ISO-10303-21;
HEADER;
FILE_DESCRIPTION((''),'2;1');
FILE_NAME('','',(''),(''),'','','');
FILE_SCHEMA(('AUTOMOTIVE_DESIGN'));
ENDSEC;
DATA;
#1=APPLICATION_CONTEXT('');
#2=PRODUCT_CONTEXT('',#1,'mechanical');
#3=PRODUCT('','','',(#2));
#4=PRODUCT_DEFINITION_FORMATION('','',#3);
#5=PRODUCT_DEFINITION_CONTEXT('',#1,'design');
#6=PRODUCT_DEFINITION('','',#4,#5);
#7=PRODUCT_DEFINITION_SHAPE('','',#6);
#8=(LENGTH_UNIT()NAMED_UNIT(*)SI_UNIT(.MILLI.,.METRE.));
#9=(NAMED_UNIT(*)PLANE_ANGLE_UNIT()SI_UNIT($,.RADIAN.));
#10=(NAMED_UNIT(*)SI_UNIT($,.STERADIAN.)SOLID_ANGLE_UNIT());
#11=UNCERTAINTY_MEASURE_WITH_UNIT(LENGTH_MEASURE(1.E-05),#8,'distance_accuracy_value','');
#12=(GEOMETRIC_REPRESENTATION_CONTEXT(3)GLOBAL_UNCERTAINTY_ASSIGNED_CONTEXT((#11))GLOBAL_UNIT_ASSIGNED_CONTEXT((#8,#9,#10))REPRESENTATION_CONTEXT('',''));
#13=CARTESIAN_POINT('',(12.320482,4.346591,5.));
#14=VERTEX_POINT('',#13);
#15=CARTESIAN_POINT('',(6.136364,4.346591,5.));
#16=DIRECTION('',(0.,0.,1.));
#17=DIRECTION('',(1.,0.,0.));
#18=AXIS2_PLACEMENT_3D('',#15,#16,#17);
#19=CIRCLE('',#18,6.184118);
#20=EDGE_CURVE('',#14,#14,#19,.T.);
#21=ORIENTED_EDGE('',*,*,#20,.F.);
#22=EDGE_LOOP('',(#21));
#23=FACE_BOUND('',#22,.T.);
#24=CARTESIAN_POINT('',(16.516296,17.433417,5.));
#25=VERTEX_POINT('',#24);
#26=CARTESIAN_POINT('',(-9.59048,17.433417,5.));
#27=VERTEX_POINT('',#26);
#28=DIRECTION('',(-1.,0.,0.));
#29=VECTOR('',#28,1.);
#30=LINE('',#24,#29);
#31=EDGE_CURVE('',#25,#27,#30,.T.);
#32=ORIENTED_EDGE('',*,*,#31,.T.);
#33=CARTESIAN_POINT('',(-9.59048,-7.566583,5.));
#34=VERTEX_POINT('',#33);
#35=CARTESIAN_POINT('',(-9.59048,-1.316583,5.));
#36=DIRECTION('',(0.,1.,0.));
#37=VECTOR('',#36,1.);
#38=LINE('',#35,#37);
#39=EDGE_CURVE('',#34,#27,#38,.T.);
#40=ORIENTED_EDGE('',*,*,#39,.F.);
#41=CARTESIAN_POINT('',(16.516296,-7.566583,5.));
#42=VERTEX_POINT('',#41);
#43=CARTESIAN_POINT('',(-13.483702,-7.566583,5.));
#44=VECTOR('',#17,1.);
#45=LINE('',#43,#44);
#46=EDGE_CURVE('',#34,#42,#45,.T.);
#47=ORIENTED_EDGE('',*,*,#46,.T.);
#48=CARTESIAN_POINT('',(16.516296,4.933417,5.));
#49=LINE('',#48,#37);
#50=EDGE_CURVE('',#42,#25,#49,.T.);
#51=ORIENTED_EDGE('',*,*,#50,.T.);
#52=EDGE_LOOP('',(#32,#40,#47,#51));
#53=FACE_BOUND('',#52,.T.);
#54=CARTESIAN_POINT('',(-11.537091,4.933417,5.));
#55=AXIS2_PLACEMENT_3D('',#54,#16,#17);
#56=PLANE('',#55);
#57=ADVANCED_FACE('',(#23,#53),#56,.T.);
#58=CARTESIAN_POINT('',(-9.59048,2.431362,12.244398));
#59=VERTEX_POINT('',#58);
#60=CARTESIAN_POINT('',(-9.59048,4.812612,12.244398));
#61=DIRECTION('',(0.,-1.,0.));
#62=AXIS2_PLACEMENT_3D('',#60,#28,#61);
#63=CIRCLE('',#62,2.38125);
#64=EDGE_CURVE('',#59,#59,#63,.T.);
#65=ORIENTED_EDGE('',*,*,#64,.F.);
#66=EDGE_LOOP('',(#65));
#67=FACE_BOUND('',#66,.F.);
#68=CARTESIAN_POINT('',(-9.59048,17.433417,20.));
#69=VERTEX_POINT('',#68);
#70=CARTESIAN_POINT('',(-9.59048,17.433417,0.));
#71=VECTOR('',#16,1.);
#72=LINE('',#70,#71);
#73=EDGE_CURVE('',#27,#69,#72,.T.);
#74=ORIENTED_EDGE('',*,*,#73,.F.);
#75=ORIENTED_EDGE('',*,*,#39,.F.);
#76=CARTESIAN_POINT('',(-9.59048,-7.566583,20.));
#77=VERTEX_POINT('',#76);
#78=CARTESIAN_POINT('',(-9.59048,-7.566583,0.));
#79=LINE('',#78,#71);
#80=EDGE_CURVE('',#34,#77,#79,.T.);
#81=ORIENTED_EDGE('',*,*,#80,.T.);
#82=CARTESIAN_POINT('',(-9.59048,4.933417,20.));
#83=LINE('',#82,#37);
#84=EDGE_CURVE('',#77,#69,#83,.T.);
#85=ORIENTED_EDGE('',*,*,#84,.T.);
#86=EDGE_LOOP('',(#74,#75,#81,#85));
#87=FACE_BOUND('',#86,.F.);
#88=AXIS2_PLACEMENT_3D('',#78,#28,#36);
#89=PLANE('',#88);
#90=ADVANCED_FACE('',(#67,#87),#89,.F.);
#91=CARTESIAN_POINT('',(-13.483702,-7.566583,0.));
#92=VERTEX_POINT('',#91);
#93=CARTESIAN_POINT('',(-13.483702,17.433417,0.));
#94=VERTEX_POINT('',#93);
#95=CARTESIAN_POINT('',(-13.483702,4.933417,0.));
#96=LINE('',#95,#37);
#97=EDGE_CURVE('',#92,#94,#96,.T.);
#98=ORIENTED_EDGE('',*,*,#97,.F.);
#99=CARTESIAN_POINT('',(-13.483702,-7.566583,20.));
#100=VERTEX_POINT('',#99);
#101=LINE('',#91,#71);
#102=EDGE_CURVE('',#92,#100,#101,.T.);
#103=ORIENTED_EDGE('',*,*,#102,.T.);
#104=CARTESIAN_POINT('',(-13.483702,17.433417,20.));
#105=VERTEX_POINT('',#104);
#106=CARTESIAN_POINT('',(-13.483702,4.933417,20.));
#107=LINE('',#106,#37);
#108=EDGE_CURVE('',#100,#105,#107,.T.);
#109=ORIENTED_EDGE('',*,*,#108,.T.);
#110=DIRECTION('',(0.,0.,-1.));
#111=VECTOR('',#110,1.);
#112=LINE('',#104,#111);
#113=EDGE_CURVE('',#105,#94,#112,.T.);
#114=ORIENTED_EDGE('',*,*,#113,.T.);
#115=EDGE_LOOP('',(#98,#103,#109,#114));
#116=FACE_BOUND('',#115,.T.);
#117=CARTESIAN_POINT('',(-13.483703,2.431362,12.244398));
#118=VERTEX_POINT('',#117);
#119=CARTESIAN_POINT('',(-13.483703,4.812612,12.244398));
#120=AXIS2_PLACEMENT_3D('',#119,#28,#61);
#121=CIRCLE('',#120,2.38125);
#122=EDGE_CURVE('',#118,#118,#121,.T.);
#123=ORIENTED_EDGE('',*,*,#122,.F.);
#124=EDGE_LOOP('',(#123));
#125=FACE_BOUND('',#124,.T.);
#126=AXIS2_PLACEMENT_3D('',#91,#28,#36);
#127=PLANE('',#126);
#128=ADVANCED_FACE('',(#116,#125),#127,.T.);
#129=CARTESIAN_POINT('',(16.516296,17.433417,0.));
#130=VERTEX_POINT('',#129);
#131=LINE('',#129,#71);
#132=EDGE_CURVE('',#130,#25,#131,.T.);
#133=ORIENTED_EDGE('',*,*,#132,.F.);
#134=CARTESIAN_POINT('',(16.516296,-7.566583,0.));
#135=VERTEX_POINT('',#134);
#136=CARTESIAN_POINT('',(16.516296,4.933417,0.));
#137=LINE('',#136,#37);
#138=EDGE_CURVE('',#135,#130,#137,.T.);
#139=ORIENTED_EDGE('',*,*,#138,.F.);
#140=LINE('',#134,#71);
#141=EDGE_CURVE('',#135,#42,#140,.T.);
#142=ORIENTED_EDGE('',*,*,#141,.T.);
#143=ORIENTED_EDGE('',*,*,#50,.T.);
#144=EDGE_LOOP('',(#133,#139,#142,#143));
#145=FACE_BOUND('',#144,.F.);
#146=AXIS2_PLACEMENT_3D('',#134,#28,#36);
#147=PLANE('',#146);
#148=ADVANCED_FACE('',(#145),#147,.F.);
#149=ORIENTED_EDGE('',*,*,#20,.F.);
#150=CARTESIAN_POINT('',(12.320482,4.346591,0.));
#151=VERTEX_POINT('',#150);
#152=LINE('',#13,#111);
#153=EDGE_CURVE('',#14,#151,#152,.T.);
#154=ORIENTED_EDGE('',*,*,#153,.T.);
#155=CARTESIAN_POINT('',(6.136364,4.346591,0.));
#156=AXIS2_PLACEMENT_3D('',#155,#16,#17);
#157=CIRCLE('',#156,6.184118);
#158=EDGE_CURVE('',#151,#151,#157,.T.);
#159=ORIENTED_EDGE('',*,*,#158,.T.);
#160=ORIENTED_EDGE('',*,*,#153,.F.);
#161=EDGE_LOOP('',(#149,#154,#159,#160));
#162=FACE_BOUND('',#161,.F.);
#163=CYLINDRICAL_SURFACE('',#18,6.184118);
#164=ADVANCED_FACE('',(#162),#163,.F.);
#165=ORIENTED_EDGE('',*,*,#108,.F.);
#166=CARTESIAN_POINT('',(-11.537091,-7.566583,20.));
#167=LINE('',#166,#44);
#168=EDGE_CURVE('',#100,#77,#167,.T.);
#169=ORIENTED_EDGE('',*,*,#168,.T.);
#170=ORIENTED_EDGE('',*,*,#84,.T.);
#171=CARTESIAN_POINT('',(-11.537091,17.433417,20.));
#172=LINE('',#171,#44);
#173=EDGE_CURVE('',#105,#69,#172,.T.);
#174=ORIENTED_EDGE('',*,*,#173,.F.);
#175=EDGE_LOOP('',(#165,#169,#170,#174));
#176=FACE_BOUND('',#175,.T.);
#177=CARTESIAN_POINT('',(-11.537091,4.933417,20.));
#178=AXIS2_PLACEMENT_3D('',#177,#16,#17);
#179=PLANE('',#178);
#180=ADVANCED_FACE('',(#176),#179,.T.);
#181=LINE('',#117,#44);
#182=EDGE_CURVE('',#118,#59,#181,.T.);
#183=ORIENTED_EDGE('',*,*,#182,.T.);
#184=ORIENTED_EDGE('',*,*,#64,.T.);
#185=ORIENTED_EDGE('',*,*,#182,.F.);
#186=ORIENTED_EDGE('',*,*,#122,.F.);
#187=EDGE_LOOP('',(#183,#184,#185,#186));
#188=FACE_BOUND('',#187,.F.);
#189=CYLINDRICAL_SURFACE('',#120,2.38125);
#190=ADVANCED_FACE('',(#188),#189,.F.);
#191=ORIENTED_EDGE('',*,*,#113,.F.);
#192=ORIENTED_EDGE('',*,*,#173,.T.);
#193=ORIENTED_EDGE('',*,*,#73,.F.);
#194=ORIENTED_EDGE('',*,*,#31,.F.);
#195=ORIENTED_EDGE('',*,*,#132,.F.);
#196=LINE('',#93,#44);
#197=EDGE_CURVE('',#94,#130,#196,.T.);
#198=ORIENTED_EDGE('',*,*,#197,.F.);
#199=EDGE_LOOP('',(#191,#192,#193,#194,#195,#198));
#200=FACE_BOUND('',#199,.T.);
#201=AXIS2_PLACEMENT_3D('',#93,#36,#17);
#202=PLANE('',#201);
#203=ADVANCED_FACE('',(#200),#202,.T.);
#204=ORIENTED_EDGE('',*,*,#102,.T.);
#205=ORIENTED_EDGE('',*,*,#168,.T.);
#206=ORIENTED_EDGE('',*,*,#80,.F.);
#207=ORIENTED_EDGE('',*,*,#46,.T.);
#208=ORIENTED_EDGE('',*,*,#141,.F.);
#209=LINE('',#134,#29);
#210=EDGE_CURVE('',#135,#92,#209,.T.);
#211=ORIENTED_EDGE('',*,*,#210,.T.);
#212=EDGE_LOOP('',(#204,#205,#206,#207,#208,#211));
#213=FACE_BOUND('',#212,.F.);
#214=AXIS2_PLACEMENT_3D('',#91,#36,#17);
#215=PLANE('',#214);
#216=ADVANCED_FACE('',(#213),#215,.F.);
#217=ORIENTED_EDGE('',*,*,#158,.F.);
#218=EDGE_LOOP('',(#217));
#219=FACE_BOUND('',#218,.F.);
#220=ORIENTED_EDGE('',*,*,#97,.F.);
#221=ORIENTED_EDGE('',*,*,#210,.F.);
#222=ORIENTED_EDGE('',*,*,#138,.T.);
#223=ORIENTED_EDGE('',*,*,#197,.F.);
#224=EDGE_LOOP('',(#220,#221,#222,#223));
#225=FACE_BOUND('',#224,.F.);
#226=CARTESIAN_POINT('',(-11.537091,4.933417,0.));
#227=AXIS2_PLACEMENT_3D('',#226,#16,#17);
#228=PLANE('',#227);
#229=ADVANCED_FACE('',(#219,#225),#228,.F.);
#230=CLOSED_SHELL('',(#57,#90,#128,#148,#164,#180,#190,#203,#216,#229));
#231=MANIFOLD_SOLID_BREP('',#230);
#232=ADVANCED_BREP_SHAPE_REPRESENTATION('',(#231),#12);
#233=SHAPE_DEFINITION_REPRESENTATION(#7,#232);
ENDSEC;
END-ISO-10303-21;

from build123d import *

# Parameters (mm, degrees)
F0_W     = 3.893223
F0_H     = 25
F2_DEPTH = 20
F0_W_2   = 26.106777
F3_DEPTH = 5
F4_R     = 2.38125
F5_DEPTH = 25
F6_R     = 6.184118
F7_DEPTH = 6


with BuildPart() as f2:
    # F0 (on Top) → F2 (new body)
    with BuildSketch(Plane.XY):
        with Locations((-11.537091, 4.933417)):
            Rectangle(F0_W, F0_H)
    extrude(amount=F2_DEPTH)

    # F0 (on Top) → F3 (join)
    with BuildSketch(Plane.XY):
        with Locations((-11.537091, 4.933417)):
            Rectangle(F0_W, F0_H)
        with Locations((3.462908, 4.933417)):
            Rectangle(F0_W_2, F0_H)
    extrude(amount=F3_DEPTH)

    # F4 (on face) → F5 (cut)
    with BuildSketch(Plane(origin=(-13.483703, 0, 0), x_dir=(0, -1, 0), z_dir=(-1, 0, 0))):
        with Locations((-4.812612, 12.244398)):
            Circle(F4_R)
    extrude(amount=-F5_DEPTH, mode=Mode.SUBTRACT)

    # F6 (on face) → F7 (cut)
    with BuildSketch(Plane.XY.offset(5)):
        with Locations((6.136364, 4.346591)):
            Circle(F6_R)
    extrude(amount=-F7_DEPTH, mode=Mode.SUBTRACT)


solid = f2.part
